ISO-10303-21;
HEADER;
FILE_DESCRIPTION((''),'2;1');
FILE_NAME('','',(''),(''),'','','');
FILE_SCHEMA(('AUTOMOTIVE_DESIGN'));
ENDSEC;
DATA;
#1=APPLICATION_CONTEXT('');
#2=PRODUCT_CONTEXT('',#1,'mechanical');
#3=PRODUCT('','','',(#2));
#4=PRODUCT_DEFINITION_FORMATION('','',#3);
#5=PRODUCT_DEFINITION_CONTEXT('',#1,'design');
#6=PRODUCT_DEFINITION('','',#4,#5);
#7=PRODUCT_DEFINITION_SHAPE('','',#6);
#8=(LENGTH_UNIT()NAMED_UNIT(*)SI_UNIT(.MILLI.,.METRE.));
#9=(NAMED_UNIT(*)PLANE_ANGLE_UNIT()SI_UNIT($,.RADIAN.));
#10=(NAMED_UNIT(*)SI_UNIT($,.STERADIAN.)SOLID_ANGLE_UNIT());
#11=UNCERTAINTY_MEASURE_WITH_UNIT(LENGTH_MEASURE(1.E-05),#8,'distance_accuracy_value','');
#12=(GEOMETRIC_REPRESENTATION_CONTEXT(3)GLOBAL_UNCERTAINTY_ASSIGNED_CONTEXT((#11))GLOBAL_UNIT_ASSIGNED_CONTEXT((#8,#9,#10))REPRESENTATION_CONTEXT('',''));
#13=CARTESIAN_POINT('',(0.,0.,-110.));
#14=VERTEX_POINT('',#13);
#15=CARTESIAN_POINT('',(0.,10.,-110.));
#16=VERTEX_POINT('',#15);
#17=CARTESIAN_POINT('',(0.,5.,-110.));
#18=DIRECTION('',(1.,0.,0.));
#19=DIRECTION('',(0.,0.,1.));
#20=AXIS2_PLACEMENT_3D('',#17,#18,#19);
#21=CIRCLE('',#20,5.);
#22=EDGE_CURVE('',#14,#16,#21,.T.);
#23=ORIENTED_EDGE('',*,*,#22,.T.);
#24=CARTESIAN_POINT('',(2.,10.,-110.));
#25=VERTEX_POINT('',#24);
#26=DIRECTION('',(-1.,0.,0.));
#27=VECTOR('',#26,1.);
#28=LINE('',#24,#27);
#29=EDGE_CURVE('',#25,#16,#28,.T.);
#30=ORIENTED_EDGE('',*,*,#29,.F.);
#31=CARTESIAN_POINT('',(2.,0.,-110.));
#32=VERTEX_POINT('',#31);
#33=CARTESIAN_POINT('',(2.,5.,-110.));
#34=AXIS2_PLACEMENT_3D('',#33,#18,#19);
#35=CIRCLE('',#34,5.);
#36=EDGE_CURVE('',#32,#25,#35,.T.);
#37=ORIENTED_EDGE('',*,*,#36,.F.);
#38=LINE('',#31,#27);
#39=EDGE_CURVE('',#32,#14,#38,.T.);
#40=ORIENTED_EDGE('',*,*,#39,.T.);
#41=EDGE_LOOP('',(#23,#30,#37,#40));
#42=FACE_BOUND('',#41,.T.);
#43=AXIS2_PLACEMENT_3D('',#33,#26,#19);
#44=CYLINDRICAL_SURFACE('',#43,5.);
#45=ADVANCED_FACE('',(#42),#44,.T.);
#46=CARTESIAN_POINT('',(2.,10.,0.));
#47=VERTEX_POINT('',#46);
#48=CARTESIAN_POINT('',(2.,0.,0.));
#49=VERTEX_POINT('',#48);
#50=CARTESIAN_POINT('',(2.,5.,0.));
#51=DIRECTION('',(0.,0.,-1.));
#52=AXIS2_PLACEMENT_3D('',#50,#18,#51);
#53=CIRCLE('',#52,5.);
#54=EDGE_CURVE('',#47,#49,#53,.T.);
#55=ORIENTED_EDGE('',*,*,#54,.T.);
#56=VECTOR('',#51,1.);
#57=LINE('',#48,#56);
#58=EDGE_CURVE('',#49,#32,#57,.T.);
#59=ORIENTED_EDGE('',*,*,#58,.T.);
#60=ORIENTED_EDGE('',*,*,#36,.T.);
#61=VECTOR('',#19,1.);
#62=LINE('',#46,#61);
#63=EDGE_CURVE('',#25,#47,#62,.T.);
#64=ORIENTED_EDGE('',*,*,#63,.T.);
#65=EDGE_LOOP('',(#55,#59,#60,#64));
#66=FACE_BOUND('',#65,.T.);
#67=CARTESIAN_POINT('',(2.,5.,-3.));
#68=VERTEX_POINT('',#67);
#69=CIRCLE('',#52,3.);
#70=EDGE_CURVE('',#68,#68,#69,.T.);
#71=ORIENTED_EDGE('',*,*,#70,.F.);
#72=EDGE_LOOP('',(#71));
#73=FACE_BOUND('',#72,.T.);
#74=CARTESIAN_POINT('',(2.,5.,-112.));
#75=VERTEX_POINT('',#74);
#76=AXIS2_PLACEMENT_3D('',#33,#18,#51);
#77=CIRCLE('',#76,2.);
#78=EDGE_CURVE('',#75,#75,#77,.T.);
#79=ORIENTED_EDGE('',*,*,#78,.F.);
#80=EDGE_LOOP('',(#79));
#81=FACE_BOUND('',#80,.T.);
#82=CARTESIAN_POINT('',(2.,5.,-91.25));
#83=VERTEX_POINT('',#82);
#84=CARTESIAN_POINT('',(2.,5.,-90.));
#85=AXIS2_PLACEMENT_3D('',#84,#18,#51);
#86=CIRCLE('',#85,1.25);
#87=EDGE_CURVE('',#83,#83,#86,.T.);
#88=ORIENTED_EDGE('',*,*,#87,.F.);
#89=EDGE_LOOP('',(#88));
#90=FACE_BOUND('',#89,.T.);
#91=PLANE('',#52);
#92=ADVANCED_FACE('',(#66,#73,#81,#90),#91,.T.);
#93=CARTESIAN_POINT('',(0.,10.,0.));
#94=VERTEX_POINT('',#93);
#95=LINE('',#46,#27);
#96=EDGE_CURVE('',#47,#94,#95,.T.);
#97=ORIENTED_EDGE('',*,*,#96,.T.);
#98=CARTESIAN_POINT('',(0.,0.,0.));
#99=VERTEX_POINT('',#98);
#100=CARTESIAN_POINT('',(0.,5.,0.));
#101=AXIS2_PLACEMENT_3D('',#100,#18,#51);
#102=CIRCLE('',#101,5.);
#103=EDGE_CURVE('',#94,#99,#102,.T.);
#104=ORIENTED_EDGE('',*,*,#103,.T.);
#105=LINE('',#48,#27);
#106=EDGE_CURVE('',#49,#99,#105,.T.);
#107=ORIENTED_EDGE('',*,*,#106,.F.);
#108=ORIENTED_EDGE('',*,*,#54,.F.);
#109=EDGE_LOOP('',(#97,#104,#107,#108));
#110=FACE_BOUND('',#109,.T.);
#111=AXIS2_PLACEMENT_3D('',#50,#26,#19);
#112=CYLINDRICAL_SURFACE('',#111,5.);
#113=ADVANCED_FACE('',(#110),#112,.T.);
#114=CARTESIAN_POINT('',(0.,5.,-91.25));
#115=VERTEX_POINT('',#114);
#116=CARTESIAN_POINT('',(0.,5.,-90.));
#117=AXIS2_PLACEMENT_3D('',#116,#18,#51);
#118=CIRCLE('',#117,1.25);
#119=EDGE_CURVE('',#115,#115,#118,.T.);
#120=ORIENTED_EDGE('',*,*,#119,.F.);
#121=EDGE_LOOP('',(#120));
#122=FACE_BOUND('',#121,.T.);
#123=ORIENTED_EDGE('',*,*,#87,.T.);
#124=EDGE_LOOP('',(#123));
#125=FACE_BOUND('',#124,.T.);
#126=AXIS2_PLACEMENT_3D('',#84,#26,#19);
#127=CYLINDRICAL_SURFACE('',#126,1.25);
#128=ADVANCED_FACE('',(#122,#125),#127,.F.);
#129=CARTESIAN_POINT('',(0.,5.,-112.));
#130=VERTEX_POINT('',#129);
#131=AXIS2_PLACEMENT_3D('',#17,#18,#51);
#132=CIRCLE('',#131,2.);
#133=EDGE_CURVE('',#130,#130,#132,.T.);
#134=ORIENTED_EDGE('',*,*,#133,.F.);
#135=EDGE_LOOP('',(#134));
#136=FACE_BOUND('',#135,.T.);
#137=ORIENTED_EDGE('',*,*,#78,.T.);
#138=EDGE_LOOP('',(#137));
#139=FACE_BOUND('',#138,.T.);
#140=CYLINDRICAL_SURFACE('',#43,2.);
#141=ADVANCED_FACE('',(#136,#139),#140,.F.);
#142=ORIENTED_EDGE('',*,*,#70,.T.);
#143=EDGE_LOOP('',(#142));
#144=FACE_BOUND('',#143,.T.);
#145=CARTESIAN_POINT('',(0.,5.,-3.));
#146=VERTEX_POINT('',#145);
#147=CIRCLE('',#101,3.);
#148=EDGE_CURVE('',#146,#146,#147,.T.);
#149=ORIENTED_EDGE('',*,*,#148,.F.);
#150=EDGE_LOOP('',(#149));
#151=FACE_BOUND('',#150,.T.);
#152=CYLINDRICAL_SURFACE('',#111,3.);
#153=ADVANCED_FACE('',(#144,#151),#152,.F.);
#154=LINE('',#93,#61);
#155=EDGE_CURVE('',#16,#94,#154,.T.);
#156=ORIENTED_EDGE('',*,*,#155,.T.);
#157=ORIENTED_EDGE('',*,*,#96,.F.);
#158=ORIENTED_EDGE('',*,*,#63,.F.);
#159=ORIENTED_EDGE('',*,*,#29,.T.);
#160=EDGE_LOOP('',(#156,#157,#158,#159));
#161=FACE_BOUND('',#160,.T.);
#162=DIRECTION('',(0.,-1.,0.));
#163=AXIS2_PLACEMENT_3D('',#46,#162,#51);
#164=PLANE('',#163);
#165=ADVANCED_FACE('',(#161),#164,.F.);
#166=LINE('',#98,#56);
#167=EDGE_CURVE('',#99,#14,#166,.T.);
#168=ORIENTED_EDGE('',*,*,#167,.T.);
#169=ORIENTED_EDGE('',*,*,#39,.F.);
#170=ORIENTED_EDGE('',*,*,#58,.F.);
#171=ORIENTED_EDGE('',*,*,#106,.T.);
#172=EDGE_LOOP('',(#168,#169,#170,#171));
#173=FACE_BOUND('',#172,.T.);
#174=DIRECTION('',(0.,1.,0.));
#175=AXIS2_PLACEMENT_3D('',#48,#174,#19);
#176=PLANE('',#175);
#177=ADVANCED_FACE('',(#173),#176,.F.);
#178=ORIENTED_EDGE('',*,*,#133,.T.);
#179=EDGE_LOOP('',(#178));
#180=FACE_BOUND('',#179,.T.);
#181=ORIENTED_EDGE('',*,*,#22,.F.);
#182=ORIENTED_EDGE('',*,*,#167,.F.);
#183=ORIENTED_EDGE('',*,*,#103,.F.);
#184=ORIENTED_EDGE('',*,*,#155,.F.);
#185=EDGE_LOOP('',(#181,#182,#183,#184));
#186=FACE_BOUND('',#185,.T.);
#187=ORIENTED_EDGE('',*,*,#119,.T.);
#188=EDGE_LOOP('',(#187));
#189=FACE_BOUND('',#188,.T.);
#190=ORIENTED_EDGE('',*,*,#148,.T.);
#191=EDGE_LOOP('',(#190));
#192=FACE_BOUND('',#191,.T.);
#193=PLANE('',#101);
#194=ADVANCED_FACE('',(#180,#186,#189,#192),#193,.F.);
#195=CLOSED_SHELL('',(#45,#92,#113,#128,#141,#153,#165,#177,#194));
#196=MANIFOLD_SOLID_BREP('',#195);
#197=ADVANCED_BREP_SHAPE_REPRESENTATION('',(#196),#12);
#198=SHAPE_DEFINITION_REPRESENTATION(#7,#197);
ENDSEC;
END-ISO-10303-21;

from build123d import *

# Parameters (mm, degrees)
SKETCH1_R           = 3
SKETCH1_R_2         = 2
SKETCH1_R_3         = 1.25
BOSS_EXTRUDE1_DEPTH = 2


with BuildPart() as part:
    # Sketch1 → Boss-Extrude1 (new body)
    with BuildSketch(Plane(origin=(0, 0, 0), x_dir=(0, 0, -1), z_dir=(1, 0, 0))):
        with BuildLine():
            Line((0, 0), (110, 0))
            ThreePointArc((110, 0), (115, 5), (110, 10))
            Line((110, 10), (0, 10))
            ThreePointArc((0, 10), (-5, 5), (0, 0))
        make_face()
        with Locations((0, 5)):
            Circle(SKETCH1_R, mode=Mode.SUBTRACT)
        with Locations((110, 5)):
            Circle(SKETCH1_R_2, mode=Mode.SUBTRACT)
        with Locations((90, 5)):
            Circle(SKETCH1_R_3, mode=Mode.SUBTRACT)
    extrude(amount=BOSS_EXTRUDE1_DEPTH)


solid = part.part
